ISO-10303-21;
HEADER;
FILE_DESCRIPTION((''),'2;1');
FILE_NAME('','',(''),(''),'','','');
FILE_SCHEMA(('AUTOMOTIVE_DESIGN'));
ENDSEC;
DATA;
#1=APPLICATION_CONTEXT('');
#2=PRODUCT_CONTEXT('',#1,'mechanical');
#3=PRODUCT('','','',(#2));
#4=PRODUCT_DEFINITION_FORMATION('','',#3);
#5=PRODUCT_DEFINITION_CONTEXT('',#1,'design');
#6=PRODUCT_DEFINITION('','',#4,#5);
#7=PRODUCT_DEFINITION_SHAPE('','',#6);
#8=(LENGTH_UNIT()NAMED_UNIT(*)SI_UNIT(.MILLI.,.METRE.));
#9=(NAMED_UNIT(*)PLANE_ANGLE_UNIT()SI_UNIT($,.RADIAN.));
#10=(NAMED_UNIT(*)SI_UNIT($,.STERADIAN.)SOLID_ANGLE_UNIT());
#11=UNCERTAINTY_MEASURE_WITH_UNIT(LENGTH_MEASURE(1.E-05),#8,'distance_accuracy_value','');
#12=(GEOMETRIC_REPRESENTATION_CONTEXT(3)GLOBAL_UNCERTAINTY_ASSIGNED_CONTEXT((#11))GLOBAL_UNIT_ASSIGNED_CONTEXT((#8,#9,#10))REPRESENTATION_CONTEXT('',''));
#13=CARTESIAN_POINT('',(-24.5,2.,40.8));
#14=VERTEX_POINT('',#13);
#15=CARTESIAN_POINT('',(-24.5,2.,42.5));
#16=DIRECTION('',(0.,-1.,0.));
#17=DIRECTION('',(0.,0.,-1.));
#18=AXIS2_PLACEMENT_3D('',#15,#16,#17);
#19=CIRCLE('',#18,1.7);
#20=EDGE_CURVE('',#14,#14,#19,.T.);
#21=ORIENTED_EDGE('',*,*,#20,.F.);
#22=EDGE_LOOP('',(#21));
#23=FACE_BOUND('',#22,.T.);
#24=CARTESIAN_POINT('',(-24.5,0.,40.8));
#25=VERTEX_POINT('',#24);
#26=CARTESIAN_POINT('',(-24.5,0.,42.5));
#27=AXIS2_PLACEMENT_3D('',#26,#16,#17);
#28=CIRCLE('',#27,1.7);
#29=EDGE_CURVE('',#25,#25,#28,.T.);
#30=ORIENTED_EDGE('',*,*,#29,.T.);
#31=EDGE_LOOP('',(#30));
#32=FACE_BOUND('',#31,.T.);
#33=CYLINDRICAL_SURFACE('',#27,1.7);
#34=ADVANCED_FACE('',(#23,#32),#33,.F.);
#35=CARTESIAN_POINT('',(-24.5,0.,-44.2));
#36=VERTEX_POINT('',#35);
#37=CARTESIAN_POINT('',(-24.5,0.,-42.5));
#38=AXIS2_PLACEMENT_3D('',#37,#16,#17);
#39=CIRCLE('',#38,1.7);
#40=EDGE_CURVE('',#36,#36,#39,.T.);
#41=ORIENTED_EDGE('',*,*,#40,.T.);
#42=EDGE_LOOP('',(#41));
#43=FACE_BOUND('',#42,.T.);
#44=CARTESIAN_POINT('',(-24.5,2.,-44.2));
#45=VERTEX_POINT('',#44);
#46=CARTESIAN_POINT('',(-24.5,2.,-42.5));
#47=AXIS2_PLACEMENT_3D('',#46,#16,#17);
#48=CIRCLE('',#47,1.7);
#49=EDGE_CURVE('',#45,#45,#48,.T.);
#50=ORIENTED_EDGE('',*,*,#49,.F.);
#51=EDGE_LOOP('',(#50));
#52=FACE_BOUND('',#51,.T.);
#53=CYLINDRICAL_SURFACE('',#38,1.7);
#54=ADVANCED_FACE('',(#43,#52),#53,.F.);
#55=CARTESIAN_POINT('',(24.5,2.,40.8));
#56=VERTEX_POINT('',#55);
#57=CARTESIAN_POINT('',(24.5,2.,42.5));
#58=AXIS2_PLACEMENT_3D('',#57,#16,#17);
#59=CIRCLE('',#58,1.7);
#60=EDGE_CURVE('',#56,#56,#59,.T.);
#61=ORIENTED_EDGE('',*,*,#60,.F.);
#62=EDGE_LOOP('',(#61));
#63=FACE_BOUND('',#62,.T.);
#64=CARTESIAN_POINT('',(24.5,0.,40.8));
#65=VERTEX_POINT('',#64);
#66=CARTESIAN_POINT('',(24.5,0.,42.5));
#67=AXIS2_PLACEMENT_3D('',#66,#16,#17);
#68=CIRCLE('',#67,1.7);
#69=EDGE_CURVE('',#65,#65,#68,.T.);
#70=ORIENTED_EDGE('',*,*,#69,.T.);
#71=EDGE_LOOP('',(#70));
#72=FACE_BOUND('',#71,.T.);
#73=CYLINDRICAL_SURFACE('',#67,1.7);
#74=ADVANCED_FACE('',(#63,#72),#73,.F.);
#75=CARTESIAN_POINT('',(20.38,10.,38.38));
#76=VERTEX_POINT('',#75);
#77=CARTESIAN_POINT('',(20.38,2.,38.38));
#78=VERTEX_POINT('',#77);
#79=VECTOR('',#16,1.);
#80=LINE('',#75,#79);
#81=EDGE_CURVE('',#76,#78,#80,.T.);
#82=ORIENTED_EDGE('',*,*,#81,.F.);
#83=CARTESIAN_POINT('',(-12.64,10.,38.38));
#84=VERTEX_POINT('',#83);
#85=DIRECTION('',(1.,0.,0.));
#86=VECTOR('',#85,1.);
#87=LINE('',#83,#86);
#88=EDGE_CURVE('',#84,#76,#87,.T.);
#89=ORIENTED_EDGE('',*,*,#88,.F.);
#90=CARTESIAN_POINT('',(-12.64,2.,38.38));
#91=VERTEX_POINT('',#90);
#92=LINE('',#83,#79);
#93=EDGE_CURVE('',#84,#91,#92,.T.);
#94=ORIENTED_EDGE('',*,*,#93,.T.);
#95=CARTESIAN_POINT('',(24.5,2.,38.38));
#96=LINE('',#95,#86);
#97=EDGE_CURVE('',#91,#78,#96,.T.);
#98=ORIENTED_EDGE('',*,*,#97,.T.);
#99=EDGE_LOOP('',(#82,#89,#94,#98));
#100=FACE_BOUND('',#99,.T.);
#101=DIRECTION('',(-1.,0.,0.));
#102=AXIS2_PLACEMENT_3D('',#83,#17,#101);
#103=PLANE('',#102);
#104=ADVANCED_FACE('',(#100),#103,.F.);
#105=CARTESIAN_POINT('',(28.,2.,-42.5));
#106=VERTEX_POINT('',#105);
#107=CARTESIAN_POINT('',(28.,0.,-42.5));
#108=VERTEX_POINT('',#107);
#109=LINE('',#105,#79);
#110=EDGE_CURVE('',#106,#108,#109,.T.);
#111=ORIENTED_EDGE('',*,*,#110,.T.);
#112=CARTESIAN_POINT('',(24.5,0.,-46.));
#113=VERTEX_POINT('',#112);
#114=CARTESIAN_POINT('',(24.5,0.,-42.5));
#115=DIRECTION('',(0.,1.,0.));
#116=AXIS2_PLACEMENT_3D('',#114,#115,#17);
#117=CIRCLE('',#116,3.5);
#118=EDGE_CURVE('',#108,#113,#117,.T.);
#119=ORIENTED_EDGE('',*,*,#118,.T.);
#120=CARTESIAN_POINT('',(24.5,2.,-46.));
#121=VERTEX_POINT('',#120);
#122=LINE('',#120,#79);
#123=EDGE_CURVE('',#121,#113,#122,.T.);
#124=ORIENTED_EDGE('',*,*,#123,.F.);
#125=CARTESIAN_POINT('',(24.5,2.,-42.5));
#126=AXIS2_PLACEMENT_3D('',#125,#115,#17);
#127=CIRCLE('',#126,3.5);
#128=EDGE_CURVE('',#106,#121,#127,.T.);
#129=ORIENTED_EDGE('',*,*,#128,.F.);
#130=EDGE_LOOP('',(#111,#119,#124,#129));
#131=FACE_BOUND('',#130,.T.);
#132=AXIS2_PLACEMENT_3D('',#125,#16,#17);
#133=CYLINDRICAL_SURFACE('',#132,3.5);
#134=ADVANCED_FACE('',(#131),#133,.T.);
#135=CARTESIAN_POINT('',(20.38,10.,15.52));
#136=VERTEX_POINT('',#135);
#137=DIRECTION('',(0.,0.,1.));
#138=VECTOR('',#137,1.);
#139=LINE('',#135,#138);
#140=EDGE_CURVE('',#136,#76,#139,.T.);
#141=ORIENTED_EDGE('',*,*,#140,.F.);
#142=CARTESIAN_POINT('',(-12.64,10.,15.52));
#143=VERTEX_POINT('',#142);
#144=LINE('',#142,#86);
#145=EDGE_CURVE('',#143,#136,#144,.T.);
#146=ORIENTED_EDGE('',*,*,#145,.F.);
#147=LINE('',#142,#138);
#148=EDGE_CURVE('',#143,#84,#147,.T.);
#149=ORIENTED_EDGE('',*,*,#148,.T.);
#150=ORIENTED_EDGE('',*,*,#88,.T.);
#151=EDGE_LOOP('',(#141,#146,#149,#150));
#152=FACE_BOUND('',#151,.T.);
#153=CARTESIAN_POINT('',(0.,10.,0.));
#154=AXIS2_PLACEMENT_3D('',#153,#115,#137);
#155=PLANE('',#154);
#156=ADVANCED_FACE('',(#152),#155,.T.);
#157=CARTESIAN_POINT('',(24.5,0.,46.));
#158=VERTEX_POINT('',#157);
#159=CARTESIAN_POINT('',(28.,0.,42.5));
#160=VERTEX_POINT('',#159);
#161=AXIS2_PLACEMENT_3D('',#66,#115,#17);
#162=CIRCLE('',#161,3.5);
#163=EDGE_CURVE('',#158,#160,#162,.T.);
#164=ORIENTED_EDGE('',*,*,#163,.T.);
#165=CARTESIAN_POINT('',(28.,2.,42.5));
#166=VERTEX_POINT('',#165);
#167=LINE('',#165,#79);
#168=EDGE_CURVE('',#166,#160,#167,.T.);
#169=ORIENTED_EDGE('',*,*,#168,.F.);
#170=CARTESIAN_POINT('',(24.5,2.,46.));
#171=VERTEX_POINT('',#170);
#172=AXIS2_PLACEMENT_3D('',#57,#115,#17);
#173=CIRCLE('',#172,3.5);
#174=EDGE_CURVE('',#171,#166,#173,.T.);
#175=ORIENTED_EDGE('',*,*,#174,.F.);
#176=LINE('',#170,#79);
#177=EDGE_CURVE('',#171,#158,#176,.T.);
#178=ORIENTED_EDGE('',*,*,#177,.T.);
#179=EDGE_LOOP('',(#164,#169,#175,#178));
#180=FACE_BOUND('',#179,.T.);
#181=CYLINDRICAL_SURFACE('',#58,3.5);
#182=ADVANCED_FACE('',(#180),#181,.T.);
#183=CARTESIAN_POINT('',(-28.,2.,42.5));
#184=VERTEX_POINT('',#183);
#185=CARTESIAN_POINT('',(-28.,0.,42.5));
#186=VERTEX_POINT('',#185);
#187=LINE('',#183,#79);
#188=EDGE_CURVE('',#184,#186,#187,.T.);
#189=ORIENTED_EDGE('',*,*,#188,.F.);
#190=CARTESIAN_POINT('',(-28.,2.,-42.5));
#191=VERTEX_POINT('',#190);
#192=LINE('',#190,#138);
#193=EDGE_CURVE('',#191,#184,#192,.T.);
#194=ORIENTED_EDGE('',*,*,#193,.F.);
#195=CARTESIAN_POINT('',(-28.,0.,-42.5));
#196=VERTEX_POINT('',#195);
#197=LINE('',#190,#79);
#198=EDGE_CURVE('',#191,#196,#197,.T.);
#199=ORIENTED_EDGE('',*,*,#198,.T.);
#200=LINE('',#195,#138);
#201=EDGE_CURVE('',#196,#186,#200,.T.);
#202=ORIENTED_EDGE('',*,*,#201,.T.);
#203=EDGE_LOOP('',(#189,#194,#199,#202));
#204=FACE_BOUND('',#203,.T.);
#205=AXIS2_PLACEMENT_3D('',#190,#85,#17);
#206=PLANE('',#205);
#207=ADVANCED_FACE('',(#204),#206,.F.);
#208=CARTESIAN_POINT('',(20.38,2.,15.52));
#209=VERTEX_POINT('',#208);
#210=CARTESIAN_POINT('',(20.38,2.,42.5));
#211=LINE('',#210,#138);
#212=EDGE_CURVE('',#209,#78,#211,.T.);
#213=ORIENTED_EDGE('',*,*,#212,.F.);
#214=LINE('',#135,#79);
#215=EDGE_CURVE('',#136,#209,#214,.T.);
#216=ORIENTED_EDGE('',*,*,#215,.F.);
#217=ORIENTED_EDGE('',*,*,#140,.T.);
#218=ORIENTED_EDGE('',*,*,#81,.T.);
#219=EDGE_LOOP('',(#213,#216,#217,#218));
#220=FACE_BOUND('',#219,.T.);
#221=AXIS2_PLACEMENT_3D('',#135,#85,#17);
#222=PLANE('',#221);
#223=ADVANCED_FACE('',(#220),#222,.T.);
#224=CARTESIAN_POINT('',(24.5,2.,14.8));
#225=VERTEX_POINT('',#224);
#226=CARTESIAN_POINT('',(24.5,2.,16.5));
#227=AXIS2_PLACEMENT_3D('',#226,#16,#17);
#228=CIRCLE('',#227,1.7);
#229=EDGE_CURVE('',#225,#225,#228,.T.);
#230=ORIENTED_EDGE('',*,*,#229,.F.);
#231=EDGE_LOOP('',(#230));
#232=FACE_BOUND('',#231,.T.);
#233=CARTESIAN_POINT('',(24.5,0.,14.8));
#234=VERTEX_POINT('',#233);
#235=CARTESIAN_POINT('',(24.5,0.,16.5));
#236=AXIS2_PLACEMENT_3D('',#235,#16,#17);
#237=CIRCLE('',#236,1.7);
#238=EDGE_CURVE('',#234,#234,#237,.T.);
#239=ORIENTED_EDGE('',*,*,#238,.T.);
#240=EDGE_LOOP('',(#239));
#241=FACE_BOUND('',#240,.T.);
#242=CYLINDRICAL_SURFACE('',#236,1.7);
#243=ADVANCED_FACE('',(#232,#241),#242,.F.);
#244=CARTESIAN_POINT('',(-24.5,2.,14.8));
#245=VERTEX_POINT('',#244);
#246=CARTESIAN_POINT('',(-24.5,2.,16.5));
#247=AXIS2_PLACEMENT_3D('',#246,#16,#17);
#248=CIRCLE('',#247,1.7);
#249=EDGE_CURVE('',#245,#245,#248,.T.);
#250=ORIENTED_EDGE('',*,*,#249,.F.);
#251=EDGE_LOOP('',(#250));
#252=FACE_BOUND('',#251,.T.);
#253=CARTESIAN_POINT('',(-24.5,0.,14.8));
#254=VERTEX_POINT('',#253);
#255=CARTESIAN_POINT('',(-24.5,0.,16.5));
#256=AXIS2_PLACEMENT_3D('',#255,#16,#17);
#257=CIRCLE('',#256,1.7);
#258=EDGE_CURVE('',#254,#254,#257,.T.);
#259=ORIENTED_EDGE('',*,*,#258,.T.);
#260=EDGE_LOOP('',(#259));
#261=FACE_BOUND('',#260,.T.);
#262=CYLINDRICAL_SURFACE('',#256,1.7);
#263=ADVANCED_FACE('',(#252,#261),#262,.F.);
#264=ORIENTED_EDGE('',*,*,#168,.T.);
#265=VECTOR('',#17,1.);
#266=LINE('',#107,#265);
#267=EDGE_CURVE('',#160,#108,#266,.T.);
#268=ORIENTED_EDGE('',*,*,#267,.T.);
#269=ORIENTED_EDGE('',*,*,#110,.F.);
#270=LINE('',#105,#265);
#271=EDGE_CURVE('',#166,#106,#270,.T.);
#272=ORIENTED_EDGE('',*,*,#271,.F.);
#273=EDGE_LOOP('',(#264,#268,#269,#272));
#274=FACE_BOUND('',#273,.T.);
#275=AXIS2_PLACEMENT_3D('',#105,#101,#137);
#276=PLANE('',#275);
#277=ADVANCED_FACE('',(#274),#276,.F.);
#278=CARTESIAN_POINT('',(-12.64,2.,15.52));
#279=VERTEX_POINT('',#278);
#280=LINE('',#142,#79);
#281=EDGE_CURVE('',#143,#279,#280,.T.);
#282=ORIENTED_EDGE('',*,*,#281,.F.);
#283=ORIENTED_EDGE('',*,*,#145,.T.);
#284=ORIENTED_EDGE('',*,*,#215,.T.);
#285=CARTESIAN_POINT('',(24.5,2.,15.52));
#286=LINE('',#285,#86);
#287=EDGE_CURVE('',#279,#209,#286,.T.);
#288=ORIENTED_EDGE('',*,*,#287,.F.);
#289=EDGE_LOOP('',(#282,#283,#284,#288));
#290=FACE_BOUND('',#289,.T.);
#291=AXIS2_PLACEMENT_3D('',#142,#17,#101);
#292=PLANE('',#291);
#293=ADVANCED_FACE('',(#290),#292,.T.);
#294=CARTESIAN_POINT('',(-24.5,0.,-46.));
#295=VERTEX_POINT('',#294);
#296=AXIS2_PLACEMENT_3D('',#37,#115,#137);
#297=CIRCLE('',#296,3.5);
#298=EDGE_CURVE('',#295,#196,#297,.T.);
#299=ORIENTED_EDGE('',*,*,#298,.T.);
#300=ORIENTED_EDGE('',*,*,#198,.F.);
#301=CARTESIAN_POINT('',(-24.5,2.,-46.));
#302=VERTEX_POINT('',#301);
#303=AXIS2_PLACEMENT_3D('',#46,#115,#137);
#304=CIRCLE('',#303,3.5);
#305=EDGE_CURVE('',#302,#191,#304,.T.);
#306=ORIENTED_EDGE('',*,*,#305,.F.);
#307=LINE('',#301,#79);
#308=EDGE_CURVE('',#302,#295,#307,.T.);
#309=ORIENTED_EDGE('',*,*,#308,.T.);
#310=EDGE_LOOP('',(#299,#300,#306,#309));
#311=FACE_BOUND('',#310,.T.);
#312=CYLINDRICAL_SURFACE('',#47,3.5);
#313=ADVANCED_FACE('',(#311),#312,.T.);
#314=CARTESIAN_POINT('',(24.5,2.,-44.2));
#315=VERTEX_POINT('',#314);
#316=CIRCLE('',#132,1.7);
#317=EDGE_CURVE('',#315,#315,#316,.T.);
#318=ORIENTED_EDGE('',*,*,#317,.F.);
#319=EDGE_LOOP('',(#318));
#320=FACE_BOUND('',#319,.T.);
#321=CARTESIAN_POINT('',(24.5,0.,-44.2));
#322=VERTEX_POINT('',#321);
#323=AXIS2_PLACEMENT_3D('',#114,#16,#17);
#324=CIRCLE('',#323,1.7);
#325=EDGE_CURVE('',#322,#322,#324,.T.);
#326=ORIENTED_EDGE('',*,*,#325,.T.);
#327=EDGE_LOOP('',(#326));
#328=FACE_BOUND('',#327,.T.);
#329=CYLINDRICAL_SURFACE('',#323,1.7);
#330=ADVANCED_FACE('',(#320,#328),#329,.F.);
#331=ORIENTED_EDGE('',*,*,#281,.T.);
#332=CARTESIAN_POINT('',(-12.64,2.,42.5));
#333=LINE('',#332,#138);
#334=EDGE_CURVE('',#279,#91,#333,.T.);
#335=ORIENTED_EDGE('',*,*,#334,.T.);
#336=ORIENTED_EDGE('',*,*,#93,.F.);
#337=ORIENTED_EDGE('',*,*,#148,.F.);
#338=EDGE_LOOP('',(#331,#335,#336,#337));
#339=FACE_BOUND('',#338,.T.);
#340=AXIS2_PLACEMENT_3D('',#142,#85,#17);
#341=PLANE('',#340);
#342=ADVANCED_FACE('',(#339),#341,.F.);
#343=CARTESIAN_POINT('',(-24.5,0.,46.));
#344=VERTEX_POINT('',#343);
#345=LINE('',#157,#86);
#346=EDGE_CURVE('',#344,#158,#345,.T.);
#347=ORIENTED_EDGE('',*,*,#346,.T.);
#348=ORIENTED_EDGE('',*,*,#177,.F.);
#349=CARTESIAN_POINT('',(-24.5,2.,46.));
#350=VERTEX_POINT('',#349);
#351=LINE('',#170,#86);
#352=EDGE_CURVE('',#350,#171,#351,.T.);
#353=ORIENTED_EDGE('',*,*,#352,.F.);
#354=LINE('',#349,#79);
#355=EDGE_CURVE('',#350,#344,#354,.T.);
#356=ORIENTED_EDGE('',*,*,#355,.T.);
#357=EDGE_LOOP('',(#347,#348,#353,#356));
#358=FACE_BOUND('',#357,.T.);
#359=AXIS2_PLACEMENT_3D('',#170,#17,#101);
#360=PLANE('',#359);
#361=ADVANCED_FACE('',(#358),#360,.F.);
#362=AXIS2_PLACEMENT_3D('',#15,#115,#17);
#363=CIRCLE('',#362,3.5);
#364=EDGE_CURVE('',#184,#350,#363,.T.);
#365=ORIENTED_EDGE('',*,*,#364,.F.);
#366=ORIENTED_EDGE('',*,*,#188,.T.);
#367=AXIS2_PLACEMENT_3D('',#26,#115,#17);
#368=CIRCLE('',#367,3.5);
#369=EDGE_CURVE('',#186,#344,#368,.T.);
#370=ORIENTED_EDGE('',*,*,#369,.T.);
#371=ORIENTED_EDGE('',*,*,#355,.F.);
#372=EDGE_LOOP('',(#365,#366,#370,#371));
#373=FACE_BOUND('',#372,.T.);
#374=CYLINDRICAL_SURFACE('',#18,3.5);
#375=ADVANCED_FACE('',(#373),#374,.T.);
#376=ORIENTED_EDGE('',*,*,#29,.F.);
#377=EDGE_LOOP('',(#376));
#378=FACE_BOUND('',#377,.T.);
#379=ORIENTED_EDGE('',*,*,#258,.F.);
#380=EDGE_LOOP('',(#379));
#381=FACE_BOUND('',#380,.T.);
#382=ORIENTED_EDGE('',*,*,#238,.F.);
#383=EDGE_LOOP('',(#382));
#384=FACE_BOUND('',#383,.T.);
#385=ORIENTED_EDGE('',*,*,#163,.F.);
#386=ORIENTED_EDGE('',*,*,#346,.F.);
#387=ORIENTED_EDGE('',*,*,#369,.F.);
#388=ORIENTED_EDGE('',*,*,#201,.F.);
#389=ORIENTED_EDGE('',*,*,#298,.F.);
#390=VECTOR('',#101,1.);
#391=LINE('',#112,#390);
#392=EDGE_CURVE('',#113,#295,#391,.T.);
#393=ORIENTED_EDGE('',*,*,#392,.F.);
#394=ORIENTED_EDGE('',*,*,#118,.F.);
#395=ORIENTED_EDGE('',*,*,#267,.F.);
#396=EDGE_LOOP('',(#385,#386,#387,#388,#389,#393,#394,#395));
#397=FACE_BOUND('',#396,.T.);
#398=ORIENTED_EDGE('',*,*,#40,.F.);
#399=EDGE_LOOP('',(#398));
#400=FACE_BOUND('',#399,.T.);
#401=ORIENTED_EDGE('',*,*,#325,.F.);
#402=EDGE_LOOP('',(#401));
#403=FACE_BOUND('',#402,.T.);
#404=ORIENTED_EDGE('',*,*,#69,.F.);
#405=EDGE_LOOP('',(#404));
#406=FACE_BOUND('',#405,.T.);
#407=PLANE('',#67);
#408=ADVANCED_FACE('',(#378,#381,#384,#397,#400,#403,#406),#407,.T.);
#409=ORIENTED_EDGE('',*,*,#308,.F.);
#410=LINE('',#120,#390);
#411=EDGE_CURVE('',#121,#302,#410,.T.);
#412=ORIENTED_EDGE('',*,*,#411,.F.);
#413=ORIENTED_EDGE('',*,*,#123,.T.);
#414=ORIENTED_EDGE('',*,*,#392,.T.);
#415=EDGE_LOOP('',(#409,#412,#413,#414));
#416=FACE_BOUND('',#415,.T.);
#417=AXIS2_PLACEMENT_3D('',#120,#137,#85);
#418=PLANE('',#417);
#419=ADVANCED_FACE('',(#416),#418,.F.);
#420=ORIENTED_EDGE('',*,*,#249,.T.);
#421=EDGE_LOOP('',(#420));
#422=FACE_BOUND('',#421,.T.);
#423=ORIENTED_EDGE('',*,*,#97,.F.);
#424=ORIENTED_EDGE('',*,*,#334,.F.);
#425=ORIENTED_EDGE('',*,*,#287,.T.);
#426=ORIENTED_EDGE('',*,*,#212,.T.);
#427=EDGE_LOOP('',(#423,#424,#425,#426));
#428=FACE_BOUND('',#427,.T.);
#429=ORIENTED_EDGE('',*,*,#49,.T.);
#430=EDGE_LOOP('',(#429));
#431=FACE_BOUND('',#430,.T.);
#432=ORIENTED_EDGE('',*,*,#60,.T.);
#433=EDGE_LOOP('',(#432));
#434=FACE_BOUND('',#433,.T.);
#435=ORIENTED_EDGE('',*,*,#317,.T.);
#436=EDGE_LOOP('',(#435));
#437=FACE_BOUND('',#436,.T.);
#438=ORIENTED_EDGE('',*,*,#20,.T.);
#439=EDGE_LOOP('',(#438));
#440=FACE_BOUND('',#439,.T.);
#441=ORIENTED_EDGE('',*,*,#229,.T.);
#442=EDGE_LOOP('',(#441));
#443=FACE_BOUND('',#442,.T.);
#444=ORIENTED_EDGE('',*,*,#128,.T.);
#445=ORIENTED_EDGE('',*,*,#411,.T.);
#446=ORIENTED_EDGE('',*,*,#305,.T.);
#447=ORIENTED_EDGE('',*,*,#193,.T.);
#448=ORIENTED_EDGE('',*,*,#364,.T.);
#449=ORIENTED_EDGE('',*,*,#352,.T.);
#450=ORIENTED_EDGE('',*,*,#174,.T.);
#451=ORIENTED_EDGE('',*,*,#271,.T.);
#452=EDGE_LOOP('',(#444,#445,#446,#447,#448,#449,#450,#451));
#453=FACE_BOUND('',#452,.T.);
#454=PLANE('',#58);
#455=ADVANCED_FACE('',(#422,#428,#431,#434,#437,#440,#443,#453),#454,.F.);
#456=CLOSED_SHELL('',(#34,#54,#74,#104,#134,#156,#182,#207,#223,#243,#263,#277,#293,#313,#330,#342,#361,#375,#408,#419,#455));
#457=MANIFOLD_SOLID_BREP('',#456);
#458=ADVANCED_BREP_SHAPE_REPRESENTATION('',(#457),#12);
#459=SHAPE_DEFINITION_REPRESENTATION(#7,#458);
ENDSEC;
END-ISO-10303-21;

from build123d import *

# Parameters (mm, degrees)
BOSS_EXTRUDE1_DEPTH  = 2
SKETCH2_W            = 33.02
SKETCH2_H            = 22.86
BOSS_EXTRUDE2_DEPTH  = 10
M3_CLEARANCE_HOLE1_D = 3.4


with BuildPart() as part:
    # Sketch1 → Boss-Extrude1 (new body)
    with BuildSketch(Plane(origin=(0, 0, 0), x_dir=(1, 0, 0), z_dir=(0, 1, 0))):
        with BuildLine():
            Line((24.5, 46), (-24.5, 46))
            ThreePointArc((-24.5, 46), (-26.974873734, 44.974873734), (-28, 42.5))
            Line((-28, 42.5), (-28, -42.5))
            ThreePointArc((-28, -42.5), (-26.974873734, -44.974873734), (-24.5, -46))
            Line((-24.5, -46), (24.5, -46))
            ThreePointArc((24.5, -46), (26.974873734, -44.974873734), (28, -42.5))
            Line((28, -42.5), (28, 42.5))
            ThreePointArc((28, 42.5), (26.974873734, 44.974873734), (24.5, 46))
        make_face()
    extrude(amount=BOSS_EXTRUDE1_DEPTH)

    # Sketch2 → Boss-Extrude2 (add)
    with BuildSketch(Plane.XZ):
        with Locations((3.87, 26.95)):
            Rectangle(SKETCH2_W, SKETCH2_H)
    extrude(amount=-BOSS_EXTRUDE2_DEPTH)

    # M3 Clearance Hole1 (through all)
    with Locations(Plane(origin=(0, 0, 0), x_dir=(-1, 0, 0), z_dir=(0, -1, 0))):
        with Locations((-24.5, -42.5), (24.5, -42.5), (24.5, -16.5), (-24.5, -16.5), (-24.5, 42.5), (24.5, 42.5)):
            Hole(M3_CLEARANCE_HOLE1_D / 2)


solid = part.part
